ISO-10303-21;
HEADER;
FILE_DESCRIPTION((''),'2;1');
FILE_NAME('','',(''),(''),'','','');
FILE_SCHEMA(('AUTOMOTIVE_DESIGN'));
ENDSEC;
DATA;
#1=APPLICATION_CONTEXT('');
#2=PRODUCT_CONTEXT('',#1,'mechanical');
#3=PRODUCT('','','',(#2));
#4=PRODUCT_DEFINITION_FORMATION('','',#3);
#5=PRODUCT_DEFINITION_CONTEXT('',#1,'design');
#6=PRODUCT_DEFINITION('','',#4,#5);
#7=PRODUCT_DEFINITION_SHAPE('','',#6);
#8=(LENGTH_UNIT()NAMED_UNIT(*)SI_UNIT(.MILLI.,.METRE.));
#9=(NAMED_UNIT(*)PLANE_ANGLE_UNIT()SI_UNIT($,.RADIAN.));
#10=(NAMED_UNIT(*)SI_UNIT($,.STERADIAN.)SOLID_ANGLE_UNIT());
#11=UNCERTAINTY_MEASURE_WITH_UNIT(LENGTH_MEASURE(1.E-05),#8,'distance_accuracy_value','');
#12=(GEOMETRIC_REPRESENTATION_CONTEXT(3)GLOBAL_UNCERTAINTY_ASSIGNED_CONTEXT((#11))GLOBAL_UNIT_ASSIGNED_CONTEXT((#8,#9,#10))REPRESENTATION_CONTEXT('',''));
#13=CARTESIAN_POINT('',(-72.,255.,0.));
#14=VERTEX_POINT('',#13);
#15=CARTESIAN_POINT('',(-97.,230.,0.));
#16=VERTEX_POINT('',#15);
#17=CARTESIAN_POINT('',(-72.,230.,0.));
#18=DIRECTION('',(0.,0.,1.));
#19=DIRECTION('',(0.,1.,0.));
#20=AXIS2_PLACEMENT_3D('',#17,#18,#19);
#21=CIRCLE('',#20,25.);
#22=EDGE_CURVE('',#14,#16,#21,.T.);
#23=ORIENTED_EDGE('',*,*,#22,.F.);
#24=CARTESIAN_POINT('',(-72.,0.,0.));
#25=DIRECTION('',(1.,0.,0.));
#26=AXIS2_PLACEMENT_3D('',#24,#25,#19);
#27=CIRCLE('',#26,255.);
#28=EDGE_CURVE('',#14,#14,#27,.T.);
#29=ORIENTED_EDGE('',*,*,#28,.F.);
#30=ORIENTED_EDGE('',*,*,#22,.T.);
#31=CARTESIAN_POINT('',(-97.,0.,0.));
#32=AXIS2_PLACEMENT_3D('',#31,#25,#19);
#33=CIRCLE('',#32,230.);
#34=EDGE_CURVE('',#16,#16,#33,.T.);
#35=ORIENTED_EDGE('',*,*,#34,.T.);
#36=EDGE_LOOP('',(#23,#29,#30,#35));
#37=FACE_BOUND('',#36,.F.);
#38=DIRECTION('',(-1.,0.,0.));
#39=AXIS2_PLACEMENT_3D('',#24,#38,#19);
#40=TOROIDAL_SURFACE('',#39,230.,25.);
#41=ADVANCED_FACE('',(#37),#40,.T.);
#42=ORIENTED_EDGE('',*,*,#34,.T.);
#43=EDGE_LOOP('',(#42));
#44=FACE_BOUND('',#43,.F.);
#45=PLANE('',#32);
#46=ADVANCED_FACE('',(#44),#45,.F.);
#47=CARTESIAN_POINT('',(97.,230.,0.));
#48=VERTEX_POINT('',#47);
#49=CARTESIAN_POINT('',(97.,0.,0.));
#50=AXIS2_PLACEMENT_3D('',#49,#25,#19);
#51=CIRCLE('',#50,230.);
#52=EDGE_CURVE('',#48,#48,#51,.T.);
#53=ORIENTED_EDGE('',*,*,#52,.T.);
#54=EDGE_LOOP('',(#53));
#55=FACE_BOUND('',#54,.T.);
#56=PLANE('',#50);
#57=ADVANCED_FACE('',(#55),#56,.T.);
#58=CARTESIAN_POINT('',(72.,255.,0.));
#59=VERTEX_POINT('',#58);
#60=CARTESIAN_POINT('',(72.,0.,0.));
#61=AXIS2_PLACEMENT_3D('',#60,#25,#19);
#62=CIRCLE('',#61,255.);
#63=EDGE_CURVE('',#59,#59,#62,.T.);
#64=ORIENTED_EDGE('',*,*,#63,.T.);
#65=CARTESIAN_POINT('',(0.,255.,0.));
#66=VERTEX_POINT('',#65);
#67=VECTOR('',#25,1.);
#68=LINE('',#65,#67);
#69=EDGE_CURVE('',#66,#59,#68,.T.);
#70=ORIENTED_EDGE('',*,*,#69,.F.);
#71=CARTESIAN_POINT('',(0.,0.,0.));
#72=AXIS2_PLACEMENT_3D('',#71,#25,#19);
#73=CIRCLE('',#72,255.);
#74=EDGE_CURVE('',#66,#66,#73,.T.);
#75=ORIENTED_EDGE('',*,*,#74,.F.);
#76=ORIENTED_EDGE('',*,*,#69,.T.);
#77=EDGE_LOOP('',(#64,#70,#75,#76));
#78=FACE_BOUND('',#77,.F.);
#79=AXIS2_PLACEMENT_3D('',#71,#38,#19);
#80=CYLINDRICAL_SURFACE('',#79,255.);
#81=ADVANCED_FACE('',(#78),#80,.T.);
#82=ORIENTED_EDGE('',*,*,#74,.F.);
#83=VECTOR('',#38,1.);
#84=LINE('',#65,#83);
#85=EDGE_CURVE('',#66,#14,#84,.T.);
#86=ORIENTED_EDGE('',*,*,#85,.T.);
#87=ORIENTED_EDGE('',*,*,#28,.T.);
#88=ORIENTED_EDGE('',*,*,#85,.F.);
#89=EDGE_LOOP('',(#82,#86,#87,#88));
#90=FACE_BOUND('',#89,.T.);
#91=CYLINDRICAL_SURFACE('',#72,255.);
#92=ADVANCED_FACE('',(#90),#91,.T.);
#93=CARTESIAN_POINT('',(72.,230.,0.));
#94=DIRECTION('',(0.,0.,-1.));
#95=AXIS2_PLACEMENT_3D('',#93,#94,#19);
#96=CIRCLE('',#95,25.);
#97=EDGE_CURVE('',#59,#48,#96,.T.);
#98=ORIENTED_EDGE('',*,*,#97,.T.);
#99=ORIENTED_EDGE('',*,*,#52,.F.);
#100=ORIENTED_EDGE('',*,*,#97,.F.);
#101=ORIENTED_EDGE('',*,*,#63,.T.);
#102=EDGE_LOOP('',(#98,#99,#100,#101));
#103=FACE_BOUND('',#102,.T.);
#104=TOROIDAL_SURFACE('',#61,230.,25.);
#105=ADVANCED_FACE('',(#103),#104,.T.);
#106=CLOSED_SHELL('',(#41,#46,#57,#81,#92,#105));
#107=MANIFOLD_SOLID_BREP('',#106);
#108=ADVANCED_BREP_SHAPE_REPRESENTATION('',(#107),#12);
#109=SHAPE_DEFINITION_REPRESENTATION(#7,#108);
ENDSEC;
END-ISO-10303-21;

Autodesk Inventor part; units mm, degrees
ref_plane "YZ Plane" through (0, 0, 0) normal (1, 0, 0) x (0, 1, 0)
ref_plane "XZ Plane" through (0, 0, 0) normal (0, 1, 0) x (-1, 0, 0)
ref_plane "XY Plane" through (0, 0, 0) normal (0, 0, 1) x (1, 0, 0)
sketch "スケッチ1" plane through (0, 0, 0) normal (1, 0, 0) x (0, 1, 0)
  circle A0 centre (0, 0) radius 255
  dimension "d0" = 510
extrude "押し出し1" add sketch "スケッチ1" along normal mid plane 194
fillet "フィレット1" radius 25 2 edges at (-97, -255, 0) (97, -255, 0)
properties part number "tire_low"
